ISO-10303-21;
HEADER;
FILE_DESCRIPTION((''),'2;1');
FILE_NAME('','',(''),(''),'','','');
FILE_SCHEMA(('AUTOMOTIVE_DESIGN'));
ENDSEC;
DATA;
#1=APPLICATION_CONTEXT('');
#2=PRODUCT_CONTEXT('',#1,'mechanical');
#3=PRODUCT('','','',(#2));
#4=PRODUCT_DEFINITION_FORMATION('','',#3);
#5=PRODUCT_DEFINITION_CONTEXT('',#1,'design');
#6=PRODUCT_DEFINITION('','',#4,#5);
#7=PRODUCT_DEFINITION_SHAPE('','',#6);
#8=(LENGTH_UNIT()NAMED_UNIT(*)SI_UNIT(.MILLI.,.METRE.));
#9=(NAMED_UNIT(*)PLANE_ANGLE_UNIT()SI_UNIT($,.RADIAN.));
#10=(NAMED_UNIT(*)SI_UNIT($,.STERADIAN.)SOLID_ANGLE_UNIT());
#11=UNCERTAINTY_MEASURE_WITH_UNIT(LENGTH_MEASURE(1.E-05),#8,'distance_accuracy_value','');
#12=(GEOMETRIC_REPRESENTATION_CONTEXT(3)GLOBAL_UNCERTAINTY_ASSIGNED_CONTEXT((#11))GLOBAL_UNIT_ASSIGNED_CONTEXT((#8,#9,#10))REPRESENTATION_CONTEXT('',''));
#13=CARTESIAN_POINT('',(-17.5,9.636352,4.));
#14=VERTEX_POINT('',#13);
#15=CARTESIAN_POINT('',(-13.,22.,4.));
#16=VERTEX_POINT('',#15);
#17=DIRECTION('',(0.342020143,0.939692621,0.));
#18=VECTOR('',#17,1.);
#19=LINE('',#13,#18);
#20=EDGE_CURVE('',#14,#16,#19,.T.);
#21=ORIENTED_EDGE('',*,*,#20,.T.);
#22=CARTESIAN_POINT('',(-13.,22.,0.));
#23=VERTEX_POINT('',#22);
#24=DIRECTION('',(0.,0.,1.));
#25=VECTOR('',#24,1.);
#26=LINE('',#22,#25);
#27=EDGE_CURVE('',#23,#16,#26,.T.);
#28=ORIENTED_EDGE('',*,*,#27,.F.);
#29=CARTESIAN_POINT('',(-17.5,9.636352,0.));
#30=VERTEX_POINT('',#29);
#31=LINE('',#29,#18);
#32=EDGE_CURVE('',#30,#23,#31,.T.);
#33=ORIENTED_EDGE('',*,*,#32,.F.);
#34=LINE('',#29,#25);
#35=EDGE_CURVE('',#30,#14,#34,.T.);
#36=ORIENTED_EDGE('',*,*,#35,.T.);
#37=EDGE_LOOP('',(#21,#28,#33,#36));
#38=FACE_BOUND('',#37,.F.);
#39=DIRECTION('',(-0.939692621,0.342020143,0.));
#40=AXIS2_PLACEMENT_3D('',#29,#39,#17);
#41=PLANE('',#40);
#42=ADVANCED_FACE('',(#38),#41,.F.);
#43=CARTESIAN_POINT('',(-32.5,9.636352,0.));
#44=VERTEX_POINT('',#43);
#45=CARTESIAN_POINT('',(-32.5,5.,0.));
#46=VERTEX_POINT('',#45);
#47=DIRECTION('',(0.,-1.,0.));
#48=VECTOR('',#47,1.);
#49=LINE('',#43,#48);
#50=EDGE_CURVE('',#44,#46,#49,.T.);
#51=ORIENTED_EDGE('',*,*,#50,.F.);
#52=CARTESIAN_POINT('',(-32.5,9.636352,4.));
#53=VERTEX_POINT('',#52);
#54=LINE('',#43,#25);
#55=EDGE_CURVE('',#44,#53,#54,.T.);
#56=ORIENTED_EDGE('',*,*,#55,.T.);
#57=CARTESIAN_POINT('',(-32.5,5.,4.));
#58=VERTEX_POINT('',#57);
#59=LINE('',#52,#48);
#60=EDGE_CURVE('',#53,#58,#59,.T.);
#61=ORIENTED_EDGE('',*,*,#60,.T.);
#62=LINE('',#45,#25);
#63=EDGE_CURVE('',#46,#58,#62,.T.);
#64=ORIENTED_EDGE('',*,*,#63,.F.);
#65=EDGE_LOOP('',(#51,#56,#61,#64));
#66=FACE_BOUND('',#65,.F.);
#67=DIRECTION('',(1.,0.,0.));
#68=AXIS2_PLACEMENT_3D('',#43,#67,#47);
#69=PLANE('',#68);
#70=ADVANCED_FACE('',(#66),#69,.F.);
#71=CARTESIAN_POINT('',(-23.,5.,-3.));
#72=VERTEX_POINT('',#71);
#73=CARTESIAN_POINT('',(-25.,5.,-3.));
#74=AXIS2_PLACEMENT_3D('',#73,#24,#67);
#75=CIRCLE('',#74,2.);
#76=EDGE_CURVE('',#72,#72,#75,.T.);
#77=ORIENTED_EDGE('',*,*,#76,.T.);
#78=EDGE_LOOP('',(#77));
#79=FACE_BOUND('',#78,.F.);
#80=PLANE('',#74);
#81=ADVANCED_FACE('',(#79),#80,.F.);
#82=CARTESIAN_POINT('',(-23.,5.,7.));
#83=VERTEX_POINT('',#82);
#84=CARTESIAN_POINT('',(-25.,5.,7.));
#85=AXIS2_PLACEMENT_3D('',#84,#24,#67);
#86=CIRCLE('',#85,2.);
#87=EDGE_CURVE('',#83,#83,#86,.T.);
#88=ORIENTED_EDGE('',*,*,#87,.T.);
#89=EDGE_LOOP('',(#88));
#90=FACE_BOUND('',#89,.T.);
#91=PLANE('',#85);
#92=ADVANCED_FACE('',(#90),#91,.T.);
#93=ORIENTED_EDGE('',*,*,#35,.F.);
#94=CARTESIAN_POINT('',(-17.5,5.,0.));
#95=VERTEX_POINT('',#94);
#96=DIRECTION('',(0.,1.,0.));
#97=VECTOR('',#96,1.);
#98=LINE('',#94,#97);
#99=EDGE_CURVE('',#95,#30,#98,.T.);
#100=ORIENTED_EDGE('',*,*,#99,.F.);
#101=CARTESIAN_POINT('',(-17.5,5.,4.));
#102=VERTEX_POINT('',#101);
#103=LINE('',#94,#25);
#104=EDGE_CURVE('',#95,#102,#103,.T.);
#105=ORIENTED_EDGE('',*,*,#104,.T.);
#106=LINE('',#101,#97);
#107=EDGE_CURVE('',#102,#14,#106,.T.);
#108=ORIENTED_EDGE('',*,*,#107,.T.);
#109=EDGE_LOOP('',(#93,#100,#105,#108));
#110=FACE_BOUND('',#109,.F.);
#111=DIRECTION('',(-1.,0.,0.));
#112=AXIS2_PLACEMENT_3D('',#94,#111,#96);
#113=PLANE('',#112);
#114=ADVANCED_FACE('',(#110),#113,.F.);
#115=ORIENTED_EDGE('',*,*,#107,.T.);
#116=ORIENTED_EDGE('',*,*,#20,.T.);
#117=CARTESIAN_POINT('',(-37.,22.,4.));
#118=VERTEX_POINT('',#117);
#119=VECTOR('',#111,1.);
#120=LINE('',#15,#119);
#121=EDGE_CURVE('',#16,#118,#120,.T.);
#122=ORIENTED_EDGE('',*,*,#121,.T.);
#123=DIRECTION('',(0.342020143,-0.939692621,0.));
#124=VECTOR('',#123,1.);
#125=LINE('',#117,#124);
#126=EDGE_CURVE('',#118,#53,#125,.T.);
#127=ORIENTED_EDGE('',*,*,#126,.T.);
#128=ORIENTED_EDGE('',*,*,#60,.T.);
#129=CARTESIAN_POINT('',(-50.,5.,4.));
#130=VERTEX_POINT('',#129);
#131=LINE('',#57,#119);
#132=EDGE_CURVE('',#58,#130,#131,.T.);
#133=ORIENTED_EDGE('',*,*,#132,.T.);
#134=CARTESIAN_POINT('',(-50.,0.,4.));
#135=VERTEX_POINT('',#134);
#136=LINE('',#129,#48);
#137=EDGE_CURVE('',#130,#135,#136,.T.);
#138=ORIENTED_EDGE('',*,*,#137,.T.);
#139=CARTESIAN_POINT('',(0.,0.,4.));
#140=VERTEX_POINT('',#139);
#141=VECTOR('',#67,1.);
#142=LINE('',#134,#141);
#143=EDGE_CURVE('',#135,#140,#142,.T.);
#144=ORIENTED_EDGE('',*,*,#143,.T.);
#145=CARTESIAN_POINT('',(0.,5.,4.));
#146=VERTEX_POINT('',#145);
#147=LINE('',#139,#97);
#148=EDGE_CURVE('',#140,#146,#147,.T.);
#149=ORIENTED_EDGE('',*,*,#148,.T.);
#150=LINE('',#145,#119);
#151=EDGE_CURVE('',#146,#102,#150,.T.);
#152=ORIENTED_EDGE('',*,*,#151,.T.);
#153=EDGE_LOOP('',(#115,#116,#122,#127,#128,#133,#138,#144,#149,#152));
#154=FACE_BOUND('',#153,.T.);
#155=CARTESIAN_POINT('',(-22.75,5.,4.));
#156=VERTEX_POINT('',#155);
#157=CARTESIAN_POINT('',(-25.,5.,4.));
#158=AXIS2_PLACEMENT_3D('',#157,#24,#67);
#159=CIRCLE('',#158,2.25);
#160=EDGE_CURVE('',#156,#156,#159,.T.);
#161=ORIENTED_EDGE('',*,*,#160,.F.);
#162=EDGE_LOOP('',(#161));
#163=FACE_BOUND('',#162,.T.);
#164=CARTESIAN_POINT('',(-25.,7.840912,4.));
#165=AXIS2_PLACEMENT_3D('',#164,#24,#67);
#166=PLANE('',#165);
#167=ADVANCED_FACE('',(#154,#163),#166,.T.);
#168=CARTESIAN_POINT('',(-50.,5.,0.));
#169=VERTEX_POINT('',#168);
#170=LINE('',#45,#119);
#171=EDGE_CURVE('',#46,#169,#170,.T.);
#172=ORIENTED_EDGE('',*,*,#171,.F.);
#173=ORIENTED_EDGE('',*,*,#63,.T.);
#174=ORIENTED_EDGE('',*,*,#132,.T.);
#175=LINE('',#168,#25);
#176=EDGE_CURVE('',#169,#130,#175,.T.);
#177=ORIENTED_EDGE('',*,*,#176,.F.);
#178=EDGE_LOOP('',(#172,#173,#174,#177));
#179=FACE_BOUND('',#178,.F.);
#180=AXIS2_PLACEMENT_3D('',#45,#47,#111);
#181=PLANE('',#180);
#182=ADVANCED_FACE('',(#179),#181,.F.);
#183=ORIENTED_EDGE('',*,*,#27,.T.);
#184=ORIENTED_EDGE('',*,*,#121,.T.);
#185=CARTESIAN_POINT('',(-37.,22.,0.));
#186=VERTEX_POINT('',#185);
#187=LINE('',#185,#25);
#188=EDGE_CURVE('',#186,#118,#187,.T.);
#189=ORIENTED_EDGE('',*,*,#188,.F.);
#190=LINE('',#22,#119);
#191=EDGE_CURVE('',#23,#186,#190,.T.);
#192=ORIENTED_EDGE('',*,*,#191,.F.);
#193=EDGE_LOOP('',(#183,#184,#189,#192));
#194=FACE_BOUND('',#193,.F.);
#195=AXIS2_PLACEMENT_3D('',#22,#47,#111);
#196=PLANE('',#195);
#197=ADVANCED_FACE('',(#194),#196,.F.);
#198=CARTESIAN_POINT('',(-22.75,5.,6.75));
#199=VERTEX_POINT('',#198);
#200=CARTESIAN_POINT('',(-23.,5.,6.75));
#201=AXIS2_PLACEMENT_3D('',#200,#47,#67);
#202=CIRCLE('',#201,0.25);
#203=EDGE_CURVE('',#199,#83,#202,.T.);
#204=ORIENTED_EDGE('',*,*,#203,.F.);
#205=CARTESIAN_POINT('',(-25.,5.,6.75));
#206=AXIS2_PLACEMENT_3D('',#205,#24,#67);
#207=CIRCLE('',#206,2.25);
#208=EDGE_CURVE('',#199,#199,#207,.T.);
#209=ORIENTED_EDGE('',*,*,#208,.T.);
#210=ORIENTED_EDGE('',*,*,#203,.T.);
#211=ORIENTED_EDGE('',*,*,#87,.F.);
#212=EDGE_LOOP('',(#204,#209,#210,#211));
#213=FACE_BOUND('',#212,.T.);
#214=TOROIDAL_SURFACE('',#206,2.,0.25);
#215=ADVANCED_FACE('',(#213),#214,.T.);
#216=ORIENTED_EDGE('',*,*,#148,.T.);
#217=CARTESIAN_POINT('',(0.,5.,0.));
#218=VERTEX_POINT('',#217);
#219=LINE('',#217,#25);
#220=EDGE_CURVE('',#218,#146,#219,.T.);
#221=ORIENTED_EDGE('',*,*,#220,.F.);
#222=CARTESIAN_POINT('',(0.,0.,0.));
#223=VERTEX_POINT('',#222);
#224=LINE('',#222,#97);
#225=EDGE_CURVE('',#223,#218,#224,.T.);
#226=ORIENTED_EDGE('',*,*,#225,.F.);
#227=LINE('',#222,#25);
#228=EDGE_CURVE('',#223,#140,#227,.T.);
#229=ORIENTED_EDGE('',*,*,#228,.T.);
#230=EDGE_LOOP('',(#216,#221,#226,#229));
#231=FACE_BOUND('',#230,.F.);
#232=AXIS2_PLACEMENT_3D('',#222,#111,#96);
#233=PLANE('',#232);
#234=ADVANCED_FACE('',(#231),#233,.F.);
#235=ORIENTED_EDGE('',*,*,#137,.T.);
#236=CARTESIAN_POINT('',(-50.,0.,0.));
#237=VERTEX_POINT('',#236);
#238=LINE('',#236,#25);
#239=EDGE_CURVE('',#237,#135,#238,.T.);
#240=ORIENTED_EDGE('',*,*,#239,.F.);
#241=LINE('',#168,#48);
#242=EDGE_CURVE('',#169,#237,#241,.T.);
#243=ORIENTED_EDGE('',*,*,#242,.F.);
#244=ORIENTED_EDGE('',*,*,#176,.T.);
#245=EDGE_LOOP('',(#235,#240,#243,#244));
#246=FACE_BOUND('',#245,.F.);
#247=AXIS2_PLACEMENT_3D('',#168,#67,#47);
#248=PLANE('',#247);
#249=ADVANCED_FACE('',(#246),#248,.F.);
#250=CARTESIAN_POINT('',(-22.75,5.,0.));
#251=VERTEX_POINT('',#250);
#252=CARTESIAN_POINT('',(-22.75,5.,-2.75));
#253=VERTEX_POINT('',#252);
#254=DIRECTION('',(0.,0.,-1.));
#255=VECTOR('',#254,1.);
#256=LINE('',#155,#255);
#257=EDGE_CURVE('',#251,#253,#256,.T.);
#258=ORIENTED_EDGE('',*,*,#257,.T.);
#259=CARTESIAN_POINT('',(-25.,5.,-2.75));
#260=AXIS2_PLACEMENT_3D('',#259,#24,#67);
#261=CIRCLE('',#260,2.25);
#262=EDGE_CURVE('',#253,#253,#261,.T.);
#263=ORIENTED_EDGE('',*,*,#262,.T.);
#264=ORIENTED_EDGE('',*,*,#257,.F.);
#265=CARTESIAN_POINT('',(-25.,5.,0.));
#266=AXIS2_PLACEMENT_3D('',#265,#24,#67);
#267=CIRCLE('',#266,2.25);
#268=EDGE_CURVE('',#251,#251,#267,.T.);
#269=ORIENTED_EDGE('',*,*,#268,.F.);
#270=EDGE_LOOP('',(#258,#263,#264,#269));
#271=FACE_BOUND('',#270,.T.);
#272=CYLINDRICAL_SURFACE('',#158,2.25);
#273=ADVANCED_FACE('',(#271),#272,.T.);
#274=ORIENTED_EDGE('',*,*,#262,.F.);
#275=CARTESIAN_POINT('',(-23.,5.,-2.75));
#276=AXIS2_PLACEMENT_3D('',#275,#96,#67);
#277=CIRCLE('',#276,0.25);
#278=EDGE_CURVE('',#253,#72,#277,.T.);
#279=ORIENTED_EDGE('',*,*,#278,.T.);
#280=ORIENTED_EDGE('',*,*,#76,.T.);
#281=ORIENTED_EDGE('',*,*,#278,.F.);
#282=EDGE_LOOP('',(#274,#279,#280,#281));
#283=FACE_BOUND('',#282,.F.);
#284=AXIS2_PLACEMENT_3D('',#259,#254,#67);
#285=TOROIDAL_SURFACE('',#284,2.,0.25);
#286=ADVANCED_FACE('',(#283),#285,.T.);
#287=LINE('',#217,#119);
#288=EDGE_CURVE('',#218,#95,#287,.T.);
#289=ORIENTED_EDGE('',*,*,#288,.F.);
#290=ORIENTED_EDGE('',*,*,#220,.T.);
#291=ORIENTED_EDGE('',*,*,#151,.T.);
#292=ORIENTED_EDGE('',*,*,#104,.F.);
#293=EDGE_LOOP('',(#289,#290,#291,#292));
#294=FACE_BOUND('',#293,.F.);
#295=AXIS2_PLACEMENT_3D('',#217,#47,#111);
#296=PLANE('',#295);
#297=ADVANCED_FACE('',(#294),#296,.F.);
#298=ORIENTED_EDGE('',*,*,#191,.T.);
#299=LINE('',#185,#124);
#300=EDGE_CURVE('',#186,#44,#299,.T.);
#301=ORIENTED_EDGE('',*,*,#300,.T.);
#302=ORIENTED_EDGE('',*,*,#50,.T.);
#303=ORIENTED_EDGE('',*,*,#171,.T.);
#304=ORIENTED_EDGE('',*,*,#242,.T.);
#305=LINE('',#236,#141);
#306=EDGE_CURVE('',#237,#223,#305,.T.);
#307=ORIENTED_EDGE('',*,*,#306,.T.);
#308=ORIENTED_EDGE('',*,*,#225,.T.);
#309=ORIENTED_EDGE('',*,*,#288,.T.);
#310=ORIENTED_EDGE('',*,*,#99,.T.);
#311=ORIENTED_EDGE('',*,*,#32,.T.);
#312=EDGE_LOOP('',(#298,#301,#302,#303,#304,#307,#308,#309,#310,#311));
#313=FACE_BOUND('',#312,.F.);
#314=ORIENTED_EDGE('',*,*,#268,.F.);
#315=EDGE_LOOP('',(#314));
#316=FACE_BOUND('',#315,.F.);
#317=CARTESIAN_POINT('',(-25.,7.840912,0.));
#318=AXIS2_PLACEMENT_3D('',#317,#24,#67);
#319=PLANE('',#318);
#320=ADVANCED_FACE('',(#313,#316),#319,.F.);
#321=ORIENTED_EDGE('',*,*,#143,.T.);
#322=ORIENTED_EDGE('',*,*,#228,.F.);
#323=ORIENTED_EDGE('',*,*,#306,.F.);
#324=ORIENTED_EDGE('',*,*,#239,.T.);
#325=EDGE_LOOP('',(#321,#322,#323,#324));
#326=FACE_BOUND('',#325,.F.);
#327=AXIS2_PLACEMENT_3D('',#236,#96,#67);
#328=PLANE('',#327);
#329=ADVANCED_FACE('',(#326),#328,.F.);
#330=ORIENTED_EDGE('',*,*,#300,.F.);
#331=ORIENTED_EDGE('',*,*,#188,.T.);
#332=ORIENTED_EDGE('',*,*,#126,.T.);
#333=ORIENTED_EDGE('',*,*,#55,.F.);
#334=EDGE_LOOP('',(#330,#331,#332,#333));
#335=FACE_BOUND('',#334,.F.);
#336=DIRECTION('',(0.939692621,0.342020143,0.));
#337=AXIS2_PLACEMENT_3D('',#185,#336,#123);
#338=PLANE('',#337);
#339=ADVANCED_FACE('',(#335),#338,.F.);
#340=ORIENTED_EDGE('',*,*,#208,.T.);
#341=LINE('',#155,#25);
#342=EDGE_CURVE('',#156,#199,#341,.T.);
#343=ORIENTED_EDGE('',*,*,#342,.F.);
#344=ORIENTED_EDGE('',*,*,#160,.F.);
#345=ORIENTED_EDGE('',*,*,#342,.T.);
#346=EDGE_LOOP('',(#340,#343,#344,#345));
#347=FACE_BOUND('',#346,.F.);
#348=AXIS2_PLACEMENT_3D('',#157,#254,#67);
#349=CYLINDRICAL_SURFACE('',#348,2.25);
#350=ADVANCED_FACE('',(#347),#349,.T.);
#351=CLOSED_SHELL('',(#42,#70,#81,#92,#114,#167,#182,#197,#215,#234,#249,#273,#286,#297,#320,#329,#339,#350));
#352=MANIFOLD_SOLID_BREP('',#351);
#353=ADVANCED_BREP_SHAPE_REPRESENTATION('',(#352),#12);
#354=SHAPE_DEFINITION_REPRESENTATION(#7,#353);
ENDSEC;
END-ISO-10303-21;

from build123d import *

# Parameters (mm, degrees)
BOSS_EXTRUDE1_DEPTH      = 4
SKETCH2_R                = 2.25
BOSS_EXTRUDE2_DEPTH      = 3
BOSS_EXTRUDE2_DEPTH_BACK = 7
FILLET1_R                = 0.25


with BuildPart() as part:
    # Sketch1 → Boss-Extrude1 (new body)
    with BuildSketch(Plane.XY):
        Polygon((-50, 0), (0, 0), (0, 5), (-17.5, 5), (-17.5, 9.636351612), (-13, 22), (-37, 22), (-32.5, 9.636351612), (-32.5, 5), (-50, 5), align=None)
    extrude(amount=BOSS_EXTRUDE1_DEPTH)

    # Sketch2 → Boss-Extrude2 (add, two sides)
    with BuildSketch(Plane.XY.offset(4)) as boss_extrude2_sk:
        with Locations((-25, 5)):
            Circle(SKETCH2_R)
    extrude(amount=BOSS_EXTRUDE2_DEPTH)
    extrude(boss_extrude2_sk.sketch, amount=-BOSS_EXTRUDE2_DEPTH_BACK)

    # Fillet1
    fillet1_edges = [part.edges().sort_by_distance(p)[0] for p in [
        (-27.25, 5, -3),
        (-27.25, 5, 7),
    ]]
    fillet(fillet1_edges, radius=FILLET1_R)


solid = part.part
